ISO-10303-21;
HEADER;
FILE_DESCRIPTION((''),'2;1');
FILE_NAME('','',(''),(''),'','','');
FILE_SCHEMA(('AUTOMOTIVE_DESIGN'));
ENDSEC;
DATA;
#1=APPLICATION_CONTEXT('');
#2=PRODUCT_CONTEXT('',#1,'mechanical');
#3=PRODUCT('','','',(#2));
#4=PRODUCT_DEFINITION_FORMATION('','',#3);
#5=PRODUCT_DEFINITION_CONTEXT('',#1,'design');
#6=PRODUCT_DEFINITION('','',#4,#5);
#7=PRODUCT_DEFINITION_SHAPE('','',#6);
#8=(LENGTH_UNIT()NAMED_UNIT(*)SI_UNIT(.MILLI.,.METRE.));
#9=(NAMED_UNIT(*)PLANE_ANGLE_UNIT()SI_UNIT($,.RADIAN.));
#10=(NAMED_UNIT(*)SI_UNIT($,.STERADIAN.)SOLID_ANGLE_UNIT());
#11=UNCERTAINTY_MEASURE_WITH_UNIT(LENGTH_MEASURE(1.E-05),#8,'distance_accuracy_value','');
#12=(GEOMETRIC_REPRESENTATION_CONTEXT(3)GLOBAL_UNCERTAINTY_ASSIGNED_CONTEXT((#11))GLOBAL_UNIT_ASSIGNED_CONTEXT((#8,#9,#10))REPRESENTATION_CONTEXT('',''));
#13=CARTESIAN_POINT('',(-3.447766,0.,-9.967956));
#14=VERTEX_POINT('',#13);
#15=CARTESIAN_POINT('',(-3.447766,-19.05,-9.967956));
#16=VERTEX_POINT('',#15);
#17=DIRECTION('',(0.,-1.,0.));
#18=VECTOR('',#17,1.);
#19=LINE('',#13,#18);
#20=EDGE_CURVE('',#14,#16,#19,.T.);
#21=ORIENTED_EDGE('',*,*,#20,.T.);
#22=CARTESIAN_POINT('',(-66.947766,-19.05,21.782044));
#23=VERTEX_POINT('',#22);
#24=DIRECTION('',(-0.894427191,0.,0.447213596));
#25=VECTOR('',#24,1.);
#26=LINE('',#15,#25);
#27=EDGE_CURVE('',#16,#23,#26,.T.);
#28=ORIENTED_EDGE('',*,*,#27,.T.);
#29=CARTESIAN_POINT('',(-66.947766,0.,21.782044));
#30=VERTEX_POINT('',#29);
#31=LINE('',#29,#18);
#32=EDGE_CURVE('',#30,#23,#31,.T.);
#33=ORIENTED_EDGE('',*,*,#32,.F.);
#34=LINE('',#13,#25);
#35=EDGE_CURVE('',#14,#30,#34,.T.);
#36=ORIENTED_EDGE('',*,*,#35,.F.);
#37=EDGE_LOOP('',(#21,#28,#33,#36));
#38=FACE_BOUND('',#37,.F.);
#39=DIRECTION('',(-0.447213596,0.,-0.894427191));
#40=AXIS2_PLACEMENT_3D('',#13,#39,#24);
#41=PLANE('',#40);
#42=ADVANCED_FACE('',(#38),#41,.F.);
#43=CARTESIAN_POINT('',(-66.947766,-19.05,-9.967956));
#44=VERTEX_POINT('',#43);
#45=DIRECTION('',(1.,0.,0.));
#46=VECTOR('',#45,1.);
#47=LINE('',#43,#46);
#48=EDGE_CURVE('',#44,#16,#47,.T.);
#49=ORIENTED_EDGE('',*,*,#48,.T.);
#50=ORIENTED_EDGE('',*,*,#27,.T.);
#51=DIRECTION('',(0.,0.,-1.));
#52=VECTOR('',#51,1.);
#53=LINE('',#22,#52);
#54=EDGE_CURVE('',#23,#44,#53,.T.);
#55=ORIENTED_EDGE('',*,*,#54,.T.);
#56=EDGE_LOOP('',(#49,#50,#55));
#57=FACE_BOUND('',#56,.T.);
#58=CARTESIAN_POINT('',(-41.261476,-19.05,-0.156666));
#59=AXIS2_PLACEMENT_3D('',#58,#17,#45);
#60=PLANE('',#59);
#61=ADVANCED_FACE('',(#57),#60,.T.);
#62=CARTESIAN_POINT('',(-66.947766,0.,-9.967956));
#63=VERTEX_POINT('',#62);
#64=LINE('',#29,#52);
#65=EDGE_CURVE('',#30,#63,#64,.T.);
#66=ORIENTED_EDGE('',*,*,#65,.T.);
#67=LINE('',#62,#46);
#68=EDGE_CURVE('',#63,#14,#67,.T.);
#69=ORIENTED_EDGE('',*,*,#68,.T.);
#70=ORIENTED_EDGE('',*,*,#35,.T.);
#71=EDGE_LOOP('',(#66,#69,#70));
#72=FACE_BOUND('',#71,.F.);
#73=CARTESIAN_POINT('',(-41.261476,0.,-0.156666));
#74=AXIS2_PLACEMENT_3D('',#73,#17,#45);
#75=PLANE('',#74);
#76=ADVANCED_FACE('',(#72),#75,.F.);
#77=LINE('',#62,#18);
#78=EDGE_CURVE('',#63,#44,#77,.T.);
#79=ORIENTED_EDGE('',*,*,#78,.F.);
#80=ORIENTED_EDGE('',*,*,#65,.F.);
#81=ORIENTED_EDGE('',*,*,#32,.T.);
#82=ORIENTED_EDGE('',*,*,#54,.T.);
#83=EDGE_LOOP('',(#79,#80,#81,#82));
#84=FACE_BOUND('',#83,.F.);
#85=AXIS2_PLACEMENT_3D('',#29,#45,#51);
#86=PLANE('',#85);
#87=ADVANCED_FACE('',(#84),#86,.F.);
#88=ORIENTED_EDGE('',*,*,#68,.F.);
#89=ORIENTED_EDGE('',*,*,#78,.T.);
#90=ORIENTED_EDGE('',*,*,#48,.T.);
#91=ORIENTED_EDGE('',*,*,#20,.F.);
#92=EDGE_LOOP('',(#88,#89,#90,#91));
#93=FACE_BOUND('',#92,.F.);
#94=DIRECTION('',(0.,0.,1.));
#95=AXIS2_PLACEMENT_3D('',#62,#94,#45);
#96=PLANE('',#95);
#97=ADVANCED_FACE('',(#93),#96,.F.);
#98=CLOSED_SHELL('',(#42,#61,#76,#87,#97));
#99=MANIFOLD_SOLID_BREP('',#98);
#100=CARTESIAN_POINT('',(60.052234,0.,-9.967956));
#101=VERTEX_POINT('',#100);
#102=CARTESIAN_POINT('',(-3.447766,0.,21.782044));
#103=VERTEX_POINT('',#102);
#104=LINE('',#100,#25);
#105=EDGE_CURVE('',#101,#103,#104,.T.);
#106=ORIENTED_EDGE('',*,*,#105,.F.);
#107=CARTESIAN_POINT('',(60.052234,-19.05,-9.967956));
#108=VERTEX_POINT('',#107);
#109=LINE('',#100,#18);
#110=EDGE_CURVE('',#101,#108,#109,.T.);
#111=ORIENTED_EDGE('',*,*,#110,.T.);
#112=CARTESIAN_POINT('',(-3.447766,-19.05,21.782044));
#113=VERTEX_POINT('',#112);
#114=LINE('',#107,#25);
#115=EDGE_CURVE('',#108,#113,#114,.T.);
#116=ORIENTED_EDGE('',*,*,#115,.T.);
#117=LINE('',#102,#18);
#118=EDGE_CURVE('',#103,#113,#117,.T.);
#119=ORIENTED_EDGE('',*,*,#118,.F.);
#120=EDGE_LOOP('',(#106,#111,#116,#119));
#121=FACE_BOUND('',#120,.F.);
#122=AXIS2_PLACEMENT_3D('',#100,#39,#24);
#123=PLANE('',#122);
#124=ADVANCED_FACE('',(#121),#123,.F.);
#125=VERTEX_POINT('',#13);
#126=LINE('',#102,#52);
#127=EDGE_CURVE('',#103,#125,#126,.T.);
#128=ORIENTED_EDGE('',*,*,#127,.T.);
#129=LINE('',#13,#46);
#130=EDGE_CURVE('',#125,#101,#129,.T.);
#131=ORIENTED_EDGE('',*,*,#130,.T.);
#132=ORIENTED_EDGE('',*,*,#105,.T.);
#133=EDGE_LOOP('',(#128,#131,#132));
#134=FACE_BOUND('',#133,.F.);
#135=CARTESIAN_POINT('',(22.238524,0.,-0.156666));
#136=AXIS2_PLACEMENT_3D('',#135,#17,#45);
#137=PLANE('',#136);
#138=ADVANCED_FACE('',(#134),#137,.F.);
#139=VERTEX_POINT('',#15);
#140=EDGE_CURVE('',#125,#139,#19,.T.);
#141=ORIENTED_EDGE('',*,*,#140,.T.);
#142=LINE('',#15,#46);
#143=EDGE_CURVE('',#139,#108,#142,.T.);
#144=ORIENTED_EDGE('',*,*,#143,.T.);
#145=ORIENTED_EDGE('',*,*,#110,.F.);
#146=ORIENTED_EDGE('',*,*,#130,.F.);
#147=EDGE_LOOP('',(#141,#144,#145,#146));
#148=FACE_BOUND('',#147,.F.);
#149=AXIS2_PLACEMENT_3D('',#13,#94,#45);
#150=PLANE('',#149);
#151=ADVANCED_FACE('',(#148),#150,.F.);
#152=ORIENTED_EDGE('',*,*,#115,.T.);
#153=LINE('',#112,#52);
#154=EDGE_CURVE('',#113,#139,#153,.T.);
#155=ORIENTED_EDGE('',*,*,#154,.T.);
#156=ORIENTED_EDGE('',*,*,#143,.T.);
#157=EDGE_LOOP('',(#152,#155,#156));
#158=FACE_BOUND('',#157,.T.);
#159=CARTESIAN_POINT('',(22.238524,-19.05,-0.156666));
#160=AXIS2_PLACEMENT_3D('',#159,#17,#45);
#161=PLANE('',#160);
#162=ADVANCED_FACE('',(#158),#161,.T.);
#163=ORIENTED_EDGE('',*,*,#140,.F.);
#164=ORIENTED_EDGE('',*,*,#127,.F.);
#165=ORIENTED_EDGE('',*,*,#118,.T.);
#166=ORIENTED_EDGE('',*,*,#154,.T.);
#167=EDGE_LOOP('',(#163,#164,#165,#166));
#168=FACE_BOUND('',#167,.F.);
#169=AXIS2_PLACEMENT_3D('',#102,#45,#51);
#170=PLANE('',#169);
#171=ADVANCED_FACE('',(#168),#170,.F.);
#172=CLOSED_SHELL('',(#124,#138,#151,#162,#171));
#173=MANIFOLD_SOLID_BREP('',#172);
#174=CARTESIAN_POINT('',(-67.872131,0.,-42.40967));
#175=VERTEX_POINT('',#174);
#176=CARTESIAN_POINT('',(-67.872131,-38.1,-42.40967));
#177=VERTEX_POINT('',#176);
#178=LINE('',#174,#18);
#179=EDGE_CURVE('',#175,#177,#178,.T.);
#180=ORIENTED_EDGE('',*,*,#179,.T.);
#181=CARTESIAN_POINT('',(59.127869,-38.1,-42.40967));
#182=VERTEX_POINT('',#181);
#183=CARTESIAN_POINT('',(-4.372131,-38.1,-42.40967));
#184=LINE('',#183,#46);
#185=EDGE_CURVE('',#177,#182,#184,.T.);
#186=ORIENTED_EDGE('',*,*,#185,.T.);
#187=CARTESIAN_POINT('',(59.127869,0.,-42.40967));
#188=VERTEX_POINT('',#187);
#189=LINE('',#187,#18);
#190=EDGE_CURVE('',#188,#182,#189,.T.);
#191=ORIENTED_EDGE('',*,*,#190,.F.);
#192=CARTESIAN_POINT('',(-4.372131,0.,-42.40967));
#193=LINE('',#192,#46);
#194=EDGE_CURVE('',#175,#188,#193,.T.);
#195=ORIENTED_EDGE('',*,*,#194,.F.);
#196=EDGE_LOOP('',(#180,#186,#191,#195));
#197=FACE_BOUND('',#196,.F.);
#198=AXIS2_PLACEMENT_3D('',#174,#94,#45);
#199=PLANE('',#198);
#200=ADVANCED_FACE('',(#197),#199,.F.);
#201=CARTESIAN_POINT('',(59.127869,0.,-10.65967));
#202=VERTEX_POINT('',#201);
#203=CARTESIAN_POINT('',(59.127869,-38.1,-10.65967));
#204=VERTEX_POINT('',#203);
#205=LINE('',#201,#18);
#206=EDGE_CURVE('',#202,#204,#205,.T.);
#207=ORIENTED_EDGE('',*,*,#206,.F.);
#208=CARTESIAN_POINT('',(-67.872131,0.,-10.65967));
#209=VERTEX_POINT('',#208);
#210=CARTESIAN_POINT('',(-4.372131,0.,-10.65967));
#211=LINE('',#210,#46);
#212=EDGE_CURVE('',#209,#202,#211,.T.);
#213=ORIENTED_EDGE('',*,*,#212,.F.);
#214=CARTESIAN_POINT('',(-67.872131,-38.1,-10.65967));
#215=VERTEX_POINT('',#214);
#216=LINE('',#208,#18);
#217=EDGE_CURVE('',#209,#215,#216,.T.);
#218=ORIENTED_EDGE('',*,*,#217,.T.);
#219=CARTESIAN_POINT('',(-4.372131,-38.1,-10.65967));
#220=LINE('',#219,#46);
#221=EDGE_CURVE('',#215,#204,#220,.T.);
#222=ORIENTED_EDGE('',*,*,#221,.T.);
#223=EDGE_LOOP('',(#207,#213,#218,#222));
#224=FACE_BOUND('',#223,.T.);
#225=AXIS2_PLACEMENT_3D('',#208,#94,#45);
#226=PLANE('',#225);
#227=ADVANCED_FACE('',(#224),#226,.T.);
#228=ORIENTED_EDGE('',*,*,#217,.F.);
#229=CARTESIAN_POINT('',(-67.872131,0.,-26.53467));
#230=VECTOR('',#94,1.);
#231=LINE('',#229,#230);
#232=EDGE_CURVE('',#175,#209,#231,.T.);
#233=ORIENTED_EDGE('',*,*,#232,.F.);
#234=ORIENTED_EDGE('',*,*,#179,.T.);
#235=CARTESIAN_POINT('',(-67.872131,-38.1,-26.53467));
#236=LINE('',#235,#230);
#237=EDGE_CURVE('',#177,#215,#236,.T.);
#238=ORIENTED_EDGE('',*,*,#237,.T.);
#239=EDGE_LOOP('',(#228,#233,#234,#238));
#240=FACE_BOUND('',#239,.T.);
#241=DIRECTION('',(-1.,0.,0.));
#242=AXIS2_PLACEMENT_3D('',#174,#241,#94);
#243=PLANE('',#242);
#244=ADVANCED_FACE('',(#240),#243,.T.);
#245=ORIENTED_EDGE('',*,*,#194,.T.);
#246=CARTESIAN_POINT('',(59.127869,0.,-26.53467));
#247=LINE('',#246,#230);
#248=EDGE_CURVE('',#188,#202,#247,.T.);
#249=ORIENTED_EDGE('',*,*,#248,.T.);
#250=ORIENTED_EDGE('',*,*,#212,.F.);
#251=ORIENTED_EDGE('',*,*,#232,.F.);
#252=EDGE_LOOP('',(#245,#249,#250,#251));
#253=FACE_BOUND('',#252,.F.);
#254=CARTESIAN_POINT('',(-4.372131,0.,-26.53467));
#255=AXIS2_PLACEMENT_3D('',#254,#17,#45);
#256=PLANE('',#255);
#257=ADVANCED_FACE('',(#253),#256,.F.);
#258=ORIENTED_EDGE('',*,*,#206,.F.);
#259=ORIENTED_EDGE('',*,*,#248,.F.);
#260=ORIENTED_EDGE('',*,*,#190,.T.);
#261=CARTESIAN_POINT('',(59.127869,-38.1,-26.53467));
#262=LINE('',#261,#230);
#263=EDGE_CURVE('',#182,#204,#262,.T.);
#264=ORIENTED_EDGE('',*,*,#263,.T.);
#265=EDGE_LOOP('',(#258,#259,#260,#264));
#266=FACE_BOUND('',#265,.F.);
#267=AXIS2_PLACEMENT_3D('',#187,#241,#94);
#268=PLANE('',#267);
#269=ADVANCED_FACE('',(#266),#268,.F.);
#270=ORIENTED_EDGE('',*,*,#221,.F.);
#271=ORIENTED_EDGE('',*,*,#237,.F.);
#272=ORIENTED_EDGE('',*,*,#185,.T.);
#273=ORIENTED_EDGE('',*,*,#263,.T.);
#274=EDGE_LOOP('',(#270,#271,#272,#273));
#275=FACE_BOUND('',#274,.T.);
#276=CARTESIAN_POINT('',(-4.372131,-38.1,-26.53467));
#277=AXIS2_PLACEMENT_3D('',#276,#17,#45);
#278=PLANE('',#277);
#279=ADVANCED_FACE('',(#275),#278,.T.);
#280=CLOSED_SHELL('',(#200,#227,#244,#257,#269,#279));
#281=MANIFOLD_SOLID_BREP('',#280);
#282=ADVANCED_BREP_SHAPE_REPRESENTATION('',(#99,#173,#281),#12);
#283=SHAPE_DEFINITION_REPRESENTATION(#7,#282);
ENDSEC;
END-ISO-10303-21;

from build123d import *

# Parameters (mm, degrees)
F0_W     = 127
F0_H     = 31.75
F1_DEPTH = 38.1
F3_DEPTH = 19.05


with BuildPart() as f1:
    # F0 (on Front) → F1 (new body)
    with BuildSketch(Plane.XZ):
        with Locations((-4.372131, -26.53467)):
            Rectangle(F0_W, F0_H)
    extrude(amount=F1_DEPTH)


with BuildPart() as f3:
    # F2 (on Front) → F3 (new body)
    with BuildSketch(Plane.XZ):
        Polygon((-3.447766, 21.782044), (-3.447766, -9.967956), (60.052234, -9.967956), align=None)
        Polygon((-66.947766, 21.782044), (-66.947766, -9.967956), (-3.447766, -9.967956), align=None)
    extrude(amount=F3_DEPTH)


solid = Compound([f1.part, f3.part])
